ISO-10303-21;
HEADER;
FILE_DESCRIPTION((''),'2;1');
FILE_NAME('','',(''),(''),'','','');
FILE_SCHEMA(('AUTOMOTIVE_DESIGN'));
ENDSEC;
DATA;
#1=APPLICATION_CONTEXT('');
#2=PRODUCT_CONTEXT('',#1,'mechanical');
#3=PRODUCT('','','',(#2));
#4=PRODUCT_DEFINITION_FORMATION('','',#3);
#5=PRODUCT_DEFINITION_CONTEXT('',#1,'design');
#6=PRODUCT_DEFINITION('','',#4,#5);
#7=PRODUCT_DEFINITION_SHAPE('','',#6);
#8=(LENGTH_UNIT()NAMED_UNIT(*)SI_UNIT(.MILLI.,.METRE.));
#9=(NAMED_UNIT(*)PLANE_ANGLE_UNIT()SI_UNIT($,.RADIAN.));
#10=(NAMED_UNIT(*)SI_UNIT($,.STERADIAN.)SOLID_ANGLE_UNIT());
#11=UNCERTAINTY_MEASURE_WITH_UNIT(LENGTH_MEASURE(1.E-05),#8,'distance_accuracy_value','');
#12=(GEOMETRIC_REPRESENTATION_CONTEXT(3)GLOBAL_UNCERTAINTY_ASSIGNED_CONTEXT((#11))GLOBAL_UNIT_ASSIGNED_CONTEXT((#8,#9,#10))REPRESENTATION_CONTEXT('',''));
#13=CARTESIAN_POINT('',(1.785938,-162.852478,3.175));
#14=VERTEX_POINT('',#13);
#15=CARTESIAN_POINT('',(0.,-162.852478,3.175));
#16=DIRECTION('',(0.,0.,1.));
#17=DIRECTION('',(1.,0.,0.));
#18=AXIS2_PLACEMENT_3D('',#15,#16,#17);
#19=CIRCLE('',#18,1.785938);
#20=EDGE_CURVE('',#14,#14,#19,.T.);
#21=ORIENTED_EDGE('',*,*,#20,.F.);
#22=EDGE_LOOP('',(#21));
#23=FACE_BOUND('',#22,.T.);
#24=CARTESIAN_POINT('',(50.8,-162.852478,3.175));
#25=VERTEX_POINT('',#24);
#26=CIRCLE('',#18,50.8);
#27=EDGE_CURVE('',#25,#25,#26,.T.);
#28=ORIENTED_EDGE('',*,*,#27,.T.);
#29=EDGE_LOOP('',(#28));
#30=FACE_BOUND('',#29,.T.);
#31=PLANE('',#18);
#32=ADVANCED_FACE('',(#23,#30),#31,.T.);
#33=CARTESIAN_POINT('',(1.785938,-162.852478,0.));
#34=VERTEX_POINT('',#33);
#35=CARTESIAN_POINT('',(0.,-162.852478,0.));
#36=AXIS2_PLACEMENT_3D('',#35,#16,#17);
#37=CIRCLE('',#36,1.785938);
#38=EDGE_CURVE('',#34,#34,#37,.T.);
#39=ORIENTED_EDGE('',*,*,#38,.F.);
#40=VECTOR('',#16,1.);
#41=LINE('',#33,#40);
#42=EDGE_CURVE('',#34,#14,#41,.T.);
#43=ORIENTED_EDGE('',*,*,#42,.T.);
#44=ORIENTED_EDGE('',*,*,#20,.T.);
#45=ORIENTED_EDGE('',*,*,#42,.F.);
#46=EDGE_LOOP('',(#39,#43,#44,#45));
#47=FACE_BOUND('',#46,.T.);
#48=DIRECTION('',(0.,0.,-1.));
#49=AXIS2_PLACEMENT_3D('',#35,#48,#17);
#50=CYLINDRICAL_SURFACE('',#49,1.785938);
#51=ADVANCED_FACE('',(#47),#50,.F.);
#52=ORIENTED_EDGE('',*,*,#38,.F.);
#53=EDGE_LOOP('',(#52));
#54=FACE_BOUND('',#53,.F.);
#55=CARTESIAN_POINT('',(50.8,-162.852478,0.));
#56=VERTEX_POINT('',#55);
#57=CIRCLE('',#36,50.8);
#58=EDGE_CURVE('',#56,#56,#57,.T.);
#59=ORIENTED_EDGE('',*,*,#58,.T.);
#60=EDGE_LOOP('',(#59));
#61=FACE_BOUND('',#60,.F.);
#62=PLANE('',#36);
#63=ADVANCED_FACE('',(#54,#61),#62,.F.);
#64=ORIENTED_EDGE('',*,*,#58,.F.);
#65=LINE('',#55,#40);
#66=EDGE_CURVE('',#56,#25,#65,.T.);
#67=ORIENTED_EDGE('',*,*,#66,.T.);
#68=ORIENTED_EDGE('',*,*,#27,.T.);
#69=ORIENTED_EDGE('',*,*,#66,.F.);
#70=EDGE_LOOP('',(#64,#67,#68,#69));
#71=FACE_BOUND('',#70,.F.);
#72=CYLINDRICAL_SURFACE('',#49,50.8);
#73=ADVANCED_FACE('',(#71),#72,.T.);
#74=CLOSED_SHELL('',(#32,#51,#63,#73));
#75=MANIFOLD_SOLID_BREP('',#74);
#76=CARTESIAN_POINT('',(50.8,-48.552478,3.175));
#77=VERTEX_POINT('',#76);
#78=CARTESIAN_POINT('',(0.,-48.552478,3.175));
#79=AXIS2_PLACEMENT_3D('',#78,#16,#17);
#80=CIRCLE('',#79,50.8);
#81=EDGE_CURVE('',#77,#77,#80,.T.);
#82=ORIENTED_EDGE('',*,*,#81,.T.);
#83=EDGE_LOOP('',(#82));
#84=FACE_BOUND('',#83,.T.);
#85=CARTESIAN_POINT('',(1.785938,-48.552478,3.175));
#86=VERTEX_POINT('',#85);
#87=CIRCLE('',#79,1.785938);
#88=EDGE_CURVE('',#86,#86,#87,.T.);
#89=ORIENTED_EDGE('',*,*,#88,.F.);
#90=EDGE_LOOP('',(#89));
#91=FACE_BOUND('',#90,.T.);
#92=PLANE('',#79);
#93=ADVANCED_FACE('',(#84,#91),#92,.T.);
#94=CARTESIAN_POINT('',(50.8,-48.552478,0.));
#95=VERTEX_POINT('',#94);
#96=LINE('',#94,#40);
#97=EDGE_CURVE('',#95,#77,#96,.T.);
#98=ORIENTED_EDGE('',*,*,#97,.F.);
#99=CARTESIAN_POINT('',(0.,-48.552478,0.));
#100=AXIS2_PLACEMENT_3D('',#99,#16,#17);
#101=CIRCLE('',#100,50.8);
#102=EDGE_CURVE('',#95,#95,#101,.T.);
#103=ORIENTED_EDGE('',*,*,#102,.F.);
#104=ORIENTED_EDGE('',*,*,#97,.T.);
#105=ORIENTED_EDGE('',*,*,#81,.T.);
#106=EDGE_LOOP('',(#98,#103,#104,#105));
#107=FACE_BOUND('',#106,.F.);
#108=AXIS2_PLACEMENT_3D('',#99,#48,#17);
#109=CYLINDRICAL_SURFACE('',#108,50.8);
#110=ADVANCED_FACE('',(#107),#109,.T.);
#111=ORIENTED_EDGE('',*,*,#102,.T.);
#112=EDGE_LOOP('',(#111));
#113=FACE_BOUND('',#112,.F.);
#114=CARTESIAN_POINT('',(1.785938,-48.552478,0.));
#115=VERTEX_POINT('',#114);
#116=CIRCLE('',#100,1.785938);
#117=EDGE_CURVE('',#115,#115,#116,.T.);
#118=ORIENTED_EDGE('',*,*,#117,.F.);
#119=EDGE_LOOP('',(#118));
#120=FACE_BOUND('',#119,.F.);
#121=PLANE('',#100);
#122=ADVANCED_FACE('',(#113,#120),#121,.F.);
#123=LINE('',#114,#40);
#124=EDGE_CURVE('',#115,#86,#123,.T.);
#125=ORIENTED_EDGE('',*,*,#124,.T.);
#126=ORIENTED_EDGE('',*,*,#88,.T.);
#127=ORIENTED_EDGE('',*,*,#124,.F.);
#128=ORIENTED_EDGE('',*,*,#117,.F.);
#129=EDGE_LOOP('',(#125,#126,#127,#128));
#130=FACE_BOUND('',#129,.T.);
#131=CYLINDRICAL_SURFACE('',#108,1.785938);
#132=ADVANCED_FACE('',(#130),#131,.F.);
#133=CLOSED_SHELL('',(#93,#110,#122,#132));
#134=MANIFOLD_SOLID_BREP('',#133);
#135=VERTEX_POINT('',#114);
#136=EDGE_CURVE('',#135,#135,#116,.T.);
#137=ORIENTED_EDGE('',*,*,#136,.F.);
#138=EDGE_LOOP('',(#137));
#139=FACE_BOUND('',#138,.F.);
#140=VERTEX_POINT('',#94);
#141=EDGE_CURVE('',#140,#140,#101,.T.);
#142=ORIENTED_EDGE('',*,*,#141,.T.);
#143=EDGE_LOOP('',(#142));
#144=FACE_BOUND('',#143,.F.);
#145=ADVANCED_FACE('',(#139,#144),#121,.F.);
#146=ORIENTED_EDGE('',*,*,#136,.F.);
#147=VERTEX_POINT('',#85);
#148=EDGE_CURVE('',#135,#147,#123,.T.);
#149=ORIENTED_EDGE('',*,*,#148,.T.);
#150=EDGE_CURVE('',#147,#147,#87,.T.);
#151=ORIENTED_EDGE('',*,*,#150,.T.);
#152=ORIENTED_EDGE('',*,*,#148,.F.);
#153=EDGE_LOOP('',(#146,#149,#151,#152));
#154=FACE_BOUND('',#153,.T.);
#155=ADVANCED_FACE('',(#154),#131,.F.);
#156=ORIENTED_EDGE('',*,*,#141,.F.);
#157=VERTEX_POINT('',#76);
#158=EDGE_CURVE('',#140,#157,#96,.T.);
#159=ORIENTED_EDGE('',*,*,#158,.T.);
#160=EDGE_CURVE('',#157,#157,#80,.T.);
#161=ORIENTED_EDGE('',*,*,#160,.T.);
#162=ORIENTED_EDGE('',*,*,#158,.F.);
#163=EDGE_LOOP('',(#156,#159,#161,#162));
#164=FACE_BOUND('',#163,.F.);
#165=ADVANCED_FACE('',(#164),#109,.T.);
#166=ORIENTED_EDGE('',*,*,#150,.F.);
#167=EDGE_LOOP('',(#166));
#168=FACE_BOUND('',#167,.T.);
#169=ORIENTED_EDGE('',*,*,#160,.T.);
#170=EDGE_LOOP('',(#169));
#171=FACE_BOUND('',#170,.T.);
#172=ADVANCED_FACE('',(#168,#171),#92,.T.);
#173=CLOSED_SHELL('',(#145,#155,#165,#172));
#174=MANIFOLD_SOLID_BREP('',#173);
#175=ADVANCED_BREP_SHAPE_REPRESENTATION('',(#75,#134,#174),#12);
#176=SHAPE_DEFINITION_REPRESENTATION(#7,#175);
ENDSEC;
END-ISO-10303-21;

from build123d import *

# Parameters (mm, degrees)
F0_R     = 50.8
F0_R_2   = 1.785938
F1_DEPTH = 3.175
F2_DEPTH = 3.175


with BuildPart() as f1:
    # F0 (on Top) → F1 (new body)
    with BuildSketch(Plane.XY):
        with Locations((0, -48.552478)):
            Circle(F0_R)
        with Locations((0, -48.552478)):
            Circle(F0_R_2, mode=Mode.SUBTRACT)
    extrude(amount=F1_DEPTH)


with BuildPart() as f2:
    # F0 (on Top) → F2 (new body)
    with BuildSketch(Plane.XY):
        with Locations((0, -48.552478)):
            Circle(F0_R)
        with Locations((0, -48.552478)):
            Circle(F0_R_2, mode=Mode.SUBTRACT)
        with Locations((0, -162.852478)):
            Circle(F0_R)
        with Locations((0, -162.852478)):
            Circle(F0_R_2, mode=Mode.SUBTRACT)
    extrude(amount=F2_DEPTH)


solid = Compound([f1.part, f2.part])
